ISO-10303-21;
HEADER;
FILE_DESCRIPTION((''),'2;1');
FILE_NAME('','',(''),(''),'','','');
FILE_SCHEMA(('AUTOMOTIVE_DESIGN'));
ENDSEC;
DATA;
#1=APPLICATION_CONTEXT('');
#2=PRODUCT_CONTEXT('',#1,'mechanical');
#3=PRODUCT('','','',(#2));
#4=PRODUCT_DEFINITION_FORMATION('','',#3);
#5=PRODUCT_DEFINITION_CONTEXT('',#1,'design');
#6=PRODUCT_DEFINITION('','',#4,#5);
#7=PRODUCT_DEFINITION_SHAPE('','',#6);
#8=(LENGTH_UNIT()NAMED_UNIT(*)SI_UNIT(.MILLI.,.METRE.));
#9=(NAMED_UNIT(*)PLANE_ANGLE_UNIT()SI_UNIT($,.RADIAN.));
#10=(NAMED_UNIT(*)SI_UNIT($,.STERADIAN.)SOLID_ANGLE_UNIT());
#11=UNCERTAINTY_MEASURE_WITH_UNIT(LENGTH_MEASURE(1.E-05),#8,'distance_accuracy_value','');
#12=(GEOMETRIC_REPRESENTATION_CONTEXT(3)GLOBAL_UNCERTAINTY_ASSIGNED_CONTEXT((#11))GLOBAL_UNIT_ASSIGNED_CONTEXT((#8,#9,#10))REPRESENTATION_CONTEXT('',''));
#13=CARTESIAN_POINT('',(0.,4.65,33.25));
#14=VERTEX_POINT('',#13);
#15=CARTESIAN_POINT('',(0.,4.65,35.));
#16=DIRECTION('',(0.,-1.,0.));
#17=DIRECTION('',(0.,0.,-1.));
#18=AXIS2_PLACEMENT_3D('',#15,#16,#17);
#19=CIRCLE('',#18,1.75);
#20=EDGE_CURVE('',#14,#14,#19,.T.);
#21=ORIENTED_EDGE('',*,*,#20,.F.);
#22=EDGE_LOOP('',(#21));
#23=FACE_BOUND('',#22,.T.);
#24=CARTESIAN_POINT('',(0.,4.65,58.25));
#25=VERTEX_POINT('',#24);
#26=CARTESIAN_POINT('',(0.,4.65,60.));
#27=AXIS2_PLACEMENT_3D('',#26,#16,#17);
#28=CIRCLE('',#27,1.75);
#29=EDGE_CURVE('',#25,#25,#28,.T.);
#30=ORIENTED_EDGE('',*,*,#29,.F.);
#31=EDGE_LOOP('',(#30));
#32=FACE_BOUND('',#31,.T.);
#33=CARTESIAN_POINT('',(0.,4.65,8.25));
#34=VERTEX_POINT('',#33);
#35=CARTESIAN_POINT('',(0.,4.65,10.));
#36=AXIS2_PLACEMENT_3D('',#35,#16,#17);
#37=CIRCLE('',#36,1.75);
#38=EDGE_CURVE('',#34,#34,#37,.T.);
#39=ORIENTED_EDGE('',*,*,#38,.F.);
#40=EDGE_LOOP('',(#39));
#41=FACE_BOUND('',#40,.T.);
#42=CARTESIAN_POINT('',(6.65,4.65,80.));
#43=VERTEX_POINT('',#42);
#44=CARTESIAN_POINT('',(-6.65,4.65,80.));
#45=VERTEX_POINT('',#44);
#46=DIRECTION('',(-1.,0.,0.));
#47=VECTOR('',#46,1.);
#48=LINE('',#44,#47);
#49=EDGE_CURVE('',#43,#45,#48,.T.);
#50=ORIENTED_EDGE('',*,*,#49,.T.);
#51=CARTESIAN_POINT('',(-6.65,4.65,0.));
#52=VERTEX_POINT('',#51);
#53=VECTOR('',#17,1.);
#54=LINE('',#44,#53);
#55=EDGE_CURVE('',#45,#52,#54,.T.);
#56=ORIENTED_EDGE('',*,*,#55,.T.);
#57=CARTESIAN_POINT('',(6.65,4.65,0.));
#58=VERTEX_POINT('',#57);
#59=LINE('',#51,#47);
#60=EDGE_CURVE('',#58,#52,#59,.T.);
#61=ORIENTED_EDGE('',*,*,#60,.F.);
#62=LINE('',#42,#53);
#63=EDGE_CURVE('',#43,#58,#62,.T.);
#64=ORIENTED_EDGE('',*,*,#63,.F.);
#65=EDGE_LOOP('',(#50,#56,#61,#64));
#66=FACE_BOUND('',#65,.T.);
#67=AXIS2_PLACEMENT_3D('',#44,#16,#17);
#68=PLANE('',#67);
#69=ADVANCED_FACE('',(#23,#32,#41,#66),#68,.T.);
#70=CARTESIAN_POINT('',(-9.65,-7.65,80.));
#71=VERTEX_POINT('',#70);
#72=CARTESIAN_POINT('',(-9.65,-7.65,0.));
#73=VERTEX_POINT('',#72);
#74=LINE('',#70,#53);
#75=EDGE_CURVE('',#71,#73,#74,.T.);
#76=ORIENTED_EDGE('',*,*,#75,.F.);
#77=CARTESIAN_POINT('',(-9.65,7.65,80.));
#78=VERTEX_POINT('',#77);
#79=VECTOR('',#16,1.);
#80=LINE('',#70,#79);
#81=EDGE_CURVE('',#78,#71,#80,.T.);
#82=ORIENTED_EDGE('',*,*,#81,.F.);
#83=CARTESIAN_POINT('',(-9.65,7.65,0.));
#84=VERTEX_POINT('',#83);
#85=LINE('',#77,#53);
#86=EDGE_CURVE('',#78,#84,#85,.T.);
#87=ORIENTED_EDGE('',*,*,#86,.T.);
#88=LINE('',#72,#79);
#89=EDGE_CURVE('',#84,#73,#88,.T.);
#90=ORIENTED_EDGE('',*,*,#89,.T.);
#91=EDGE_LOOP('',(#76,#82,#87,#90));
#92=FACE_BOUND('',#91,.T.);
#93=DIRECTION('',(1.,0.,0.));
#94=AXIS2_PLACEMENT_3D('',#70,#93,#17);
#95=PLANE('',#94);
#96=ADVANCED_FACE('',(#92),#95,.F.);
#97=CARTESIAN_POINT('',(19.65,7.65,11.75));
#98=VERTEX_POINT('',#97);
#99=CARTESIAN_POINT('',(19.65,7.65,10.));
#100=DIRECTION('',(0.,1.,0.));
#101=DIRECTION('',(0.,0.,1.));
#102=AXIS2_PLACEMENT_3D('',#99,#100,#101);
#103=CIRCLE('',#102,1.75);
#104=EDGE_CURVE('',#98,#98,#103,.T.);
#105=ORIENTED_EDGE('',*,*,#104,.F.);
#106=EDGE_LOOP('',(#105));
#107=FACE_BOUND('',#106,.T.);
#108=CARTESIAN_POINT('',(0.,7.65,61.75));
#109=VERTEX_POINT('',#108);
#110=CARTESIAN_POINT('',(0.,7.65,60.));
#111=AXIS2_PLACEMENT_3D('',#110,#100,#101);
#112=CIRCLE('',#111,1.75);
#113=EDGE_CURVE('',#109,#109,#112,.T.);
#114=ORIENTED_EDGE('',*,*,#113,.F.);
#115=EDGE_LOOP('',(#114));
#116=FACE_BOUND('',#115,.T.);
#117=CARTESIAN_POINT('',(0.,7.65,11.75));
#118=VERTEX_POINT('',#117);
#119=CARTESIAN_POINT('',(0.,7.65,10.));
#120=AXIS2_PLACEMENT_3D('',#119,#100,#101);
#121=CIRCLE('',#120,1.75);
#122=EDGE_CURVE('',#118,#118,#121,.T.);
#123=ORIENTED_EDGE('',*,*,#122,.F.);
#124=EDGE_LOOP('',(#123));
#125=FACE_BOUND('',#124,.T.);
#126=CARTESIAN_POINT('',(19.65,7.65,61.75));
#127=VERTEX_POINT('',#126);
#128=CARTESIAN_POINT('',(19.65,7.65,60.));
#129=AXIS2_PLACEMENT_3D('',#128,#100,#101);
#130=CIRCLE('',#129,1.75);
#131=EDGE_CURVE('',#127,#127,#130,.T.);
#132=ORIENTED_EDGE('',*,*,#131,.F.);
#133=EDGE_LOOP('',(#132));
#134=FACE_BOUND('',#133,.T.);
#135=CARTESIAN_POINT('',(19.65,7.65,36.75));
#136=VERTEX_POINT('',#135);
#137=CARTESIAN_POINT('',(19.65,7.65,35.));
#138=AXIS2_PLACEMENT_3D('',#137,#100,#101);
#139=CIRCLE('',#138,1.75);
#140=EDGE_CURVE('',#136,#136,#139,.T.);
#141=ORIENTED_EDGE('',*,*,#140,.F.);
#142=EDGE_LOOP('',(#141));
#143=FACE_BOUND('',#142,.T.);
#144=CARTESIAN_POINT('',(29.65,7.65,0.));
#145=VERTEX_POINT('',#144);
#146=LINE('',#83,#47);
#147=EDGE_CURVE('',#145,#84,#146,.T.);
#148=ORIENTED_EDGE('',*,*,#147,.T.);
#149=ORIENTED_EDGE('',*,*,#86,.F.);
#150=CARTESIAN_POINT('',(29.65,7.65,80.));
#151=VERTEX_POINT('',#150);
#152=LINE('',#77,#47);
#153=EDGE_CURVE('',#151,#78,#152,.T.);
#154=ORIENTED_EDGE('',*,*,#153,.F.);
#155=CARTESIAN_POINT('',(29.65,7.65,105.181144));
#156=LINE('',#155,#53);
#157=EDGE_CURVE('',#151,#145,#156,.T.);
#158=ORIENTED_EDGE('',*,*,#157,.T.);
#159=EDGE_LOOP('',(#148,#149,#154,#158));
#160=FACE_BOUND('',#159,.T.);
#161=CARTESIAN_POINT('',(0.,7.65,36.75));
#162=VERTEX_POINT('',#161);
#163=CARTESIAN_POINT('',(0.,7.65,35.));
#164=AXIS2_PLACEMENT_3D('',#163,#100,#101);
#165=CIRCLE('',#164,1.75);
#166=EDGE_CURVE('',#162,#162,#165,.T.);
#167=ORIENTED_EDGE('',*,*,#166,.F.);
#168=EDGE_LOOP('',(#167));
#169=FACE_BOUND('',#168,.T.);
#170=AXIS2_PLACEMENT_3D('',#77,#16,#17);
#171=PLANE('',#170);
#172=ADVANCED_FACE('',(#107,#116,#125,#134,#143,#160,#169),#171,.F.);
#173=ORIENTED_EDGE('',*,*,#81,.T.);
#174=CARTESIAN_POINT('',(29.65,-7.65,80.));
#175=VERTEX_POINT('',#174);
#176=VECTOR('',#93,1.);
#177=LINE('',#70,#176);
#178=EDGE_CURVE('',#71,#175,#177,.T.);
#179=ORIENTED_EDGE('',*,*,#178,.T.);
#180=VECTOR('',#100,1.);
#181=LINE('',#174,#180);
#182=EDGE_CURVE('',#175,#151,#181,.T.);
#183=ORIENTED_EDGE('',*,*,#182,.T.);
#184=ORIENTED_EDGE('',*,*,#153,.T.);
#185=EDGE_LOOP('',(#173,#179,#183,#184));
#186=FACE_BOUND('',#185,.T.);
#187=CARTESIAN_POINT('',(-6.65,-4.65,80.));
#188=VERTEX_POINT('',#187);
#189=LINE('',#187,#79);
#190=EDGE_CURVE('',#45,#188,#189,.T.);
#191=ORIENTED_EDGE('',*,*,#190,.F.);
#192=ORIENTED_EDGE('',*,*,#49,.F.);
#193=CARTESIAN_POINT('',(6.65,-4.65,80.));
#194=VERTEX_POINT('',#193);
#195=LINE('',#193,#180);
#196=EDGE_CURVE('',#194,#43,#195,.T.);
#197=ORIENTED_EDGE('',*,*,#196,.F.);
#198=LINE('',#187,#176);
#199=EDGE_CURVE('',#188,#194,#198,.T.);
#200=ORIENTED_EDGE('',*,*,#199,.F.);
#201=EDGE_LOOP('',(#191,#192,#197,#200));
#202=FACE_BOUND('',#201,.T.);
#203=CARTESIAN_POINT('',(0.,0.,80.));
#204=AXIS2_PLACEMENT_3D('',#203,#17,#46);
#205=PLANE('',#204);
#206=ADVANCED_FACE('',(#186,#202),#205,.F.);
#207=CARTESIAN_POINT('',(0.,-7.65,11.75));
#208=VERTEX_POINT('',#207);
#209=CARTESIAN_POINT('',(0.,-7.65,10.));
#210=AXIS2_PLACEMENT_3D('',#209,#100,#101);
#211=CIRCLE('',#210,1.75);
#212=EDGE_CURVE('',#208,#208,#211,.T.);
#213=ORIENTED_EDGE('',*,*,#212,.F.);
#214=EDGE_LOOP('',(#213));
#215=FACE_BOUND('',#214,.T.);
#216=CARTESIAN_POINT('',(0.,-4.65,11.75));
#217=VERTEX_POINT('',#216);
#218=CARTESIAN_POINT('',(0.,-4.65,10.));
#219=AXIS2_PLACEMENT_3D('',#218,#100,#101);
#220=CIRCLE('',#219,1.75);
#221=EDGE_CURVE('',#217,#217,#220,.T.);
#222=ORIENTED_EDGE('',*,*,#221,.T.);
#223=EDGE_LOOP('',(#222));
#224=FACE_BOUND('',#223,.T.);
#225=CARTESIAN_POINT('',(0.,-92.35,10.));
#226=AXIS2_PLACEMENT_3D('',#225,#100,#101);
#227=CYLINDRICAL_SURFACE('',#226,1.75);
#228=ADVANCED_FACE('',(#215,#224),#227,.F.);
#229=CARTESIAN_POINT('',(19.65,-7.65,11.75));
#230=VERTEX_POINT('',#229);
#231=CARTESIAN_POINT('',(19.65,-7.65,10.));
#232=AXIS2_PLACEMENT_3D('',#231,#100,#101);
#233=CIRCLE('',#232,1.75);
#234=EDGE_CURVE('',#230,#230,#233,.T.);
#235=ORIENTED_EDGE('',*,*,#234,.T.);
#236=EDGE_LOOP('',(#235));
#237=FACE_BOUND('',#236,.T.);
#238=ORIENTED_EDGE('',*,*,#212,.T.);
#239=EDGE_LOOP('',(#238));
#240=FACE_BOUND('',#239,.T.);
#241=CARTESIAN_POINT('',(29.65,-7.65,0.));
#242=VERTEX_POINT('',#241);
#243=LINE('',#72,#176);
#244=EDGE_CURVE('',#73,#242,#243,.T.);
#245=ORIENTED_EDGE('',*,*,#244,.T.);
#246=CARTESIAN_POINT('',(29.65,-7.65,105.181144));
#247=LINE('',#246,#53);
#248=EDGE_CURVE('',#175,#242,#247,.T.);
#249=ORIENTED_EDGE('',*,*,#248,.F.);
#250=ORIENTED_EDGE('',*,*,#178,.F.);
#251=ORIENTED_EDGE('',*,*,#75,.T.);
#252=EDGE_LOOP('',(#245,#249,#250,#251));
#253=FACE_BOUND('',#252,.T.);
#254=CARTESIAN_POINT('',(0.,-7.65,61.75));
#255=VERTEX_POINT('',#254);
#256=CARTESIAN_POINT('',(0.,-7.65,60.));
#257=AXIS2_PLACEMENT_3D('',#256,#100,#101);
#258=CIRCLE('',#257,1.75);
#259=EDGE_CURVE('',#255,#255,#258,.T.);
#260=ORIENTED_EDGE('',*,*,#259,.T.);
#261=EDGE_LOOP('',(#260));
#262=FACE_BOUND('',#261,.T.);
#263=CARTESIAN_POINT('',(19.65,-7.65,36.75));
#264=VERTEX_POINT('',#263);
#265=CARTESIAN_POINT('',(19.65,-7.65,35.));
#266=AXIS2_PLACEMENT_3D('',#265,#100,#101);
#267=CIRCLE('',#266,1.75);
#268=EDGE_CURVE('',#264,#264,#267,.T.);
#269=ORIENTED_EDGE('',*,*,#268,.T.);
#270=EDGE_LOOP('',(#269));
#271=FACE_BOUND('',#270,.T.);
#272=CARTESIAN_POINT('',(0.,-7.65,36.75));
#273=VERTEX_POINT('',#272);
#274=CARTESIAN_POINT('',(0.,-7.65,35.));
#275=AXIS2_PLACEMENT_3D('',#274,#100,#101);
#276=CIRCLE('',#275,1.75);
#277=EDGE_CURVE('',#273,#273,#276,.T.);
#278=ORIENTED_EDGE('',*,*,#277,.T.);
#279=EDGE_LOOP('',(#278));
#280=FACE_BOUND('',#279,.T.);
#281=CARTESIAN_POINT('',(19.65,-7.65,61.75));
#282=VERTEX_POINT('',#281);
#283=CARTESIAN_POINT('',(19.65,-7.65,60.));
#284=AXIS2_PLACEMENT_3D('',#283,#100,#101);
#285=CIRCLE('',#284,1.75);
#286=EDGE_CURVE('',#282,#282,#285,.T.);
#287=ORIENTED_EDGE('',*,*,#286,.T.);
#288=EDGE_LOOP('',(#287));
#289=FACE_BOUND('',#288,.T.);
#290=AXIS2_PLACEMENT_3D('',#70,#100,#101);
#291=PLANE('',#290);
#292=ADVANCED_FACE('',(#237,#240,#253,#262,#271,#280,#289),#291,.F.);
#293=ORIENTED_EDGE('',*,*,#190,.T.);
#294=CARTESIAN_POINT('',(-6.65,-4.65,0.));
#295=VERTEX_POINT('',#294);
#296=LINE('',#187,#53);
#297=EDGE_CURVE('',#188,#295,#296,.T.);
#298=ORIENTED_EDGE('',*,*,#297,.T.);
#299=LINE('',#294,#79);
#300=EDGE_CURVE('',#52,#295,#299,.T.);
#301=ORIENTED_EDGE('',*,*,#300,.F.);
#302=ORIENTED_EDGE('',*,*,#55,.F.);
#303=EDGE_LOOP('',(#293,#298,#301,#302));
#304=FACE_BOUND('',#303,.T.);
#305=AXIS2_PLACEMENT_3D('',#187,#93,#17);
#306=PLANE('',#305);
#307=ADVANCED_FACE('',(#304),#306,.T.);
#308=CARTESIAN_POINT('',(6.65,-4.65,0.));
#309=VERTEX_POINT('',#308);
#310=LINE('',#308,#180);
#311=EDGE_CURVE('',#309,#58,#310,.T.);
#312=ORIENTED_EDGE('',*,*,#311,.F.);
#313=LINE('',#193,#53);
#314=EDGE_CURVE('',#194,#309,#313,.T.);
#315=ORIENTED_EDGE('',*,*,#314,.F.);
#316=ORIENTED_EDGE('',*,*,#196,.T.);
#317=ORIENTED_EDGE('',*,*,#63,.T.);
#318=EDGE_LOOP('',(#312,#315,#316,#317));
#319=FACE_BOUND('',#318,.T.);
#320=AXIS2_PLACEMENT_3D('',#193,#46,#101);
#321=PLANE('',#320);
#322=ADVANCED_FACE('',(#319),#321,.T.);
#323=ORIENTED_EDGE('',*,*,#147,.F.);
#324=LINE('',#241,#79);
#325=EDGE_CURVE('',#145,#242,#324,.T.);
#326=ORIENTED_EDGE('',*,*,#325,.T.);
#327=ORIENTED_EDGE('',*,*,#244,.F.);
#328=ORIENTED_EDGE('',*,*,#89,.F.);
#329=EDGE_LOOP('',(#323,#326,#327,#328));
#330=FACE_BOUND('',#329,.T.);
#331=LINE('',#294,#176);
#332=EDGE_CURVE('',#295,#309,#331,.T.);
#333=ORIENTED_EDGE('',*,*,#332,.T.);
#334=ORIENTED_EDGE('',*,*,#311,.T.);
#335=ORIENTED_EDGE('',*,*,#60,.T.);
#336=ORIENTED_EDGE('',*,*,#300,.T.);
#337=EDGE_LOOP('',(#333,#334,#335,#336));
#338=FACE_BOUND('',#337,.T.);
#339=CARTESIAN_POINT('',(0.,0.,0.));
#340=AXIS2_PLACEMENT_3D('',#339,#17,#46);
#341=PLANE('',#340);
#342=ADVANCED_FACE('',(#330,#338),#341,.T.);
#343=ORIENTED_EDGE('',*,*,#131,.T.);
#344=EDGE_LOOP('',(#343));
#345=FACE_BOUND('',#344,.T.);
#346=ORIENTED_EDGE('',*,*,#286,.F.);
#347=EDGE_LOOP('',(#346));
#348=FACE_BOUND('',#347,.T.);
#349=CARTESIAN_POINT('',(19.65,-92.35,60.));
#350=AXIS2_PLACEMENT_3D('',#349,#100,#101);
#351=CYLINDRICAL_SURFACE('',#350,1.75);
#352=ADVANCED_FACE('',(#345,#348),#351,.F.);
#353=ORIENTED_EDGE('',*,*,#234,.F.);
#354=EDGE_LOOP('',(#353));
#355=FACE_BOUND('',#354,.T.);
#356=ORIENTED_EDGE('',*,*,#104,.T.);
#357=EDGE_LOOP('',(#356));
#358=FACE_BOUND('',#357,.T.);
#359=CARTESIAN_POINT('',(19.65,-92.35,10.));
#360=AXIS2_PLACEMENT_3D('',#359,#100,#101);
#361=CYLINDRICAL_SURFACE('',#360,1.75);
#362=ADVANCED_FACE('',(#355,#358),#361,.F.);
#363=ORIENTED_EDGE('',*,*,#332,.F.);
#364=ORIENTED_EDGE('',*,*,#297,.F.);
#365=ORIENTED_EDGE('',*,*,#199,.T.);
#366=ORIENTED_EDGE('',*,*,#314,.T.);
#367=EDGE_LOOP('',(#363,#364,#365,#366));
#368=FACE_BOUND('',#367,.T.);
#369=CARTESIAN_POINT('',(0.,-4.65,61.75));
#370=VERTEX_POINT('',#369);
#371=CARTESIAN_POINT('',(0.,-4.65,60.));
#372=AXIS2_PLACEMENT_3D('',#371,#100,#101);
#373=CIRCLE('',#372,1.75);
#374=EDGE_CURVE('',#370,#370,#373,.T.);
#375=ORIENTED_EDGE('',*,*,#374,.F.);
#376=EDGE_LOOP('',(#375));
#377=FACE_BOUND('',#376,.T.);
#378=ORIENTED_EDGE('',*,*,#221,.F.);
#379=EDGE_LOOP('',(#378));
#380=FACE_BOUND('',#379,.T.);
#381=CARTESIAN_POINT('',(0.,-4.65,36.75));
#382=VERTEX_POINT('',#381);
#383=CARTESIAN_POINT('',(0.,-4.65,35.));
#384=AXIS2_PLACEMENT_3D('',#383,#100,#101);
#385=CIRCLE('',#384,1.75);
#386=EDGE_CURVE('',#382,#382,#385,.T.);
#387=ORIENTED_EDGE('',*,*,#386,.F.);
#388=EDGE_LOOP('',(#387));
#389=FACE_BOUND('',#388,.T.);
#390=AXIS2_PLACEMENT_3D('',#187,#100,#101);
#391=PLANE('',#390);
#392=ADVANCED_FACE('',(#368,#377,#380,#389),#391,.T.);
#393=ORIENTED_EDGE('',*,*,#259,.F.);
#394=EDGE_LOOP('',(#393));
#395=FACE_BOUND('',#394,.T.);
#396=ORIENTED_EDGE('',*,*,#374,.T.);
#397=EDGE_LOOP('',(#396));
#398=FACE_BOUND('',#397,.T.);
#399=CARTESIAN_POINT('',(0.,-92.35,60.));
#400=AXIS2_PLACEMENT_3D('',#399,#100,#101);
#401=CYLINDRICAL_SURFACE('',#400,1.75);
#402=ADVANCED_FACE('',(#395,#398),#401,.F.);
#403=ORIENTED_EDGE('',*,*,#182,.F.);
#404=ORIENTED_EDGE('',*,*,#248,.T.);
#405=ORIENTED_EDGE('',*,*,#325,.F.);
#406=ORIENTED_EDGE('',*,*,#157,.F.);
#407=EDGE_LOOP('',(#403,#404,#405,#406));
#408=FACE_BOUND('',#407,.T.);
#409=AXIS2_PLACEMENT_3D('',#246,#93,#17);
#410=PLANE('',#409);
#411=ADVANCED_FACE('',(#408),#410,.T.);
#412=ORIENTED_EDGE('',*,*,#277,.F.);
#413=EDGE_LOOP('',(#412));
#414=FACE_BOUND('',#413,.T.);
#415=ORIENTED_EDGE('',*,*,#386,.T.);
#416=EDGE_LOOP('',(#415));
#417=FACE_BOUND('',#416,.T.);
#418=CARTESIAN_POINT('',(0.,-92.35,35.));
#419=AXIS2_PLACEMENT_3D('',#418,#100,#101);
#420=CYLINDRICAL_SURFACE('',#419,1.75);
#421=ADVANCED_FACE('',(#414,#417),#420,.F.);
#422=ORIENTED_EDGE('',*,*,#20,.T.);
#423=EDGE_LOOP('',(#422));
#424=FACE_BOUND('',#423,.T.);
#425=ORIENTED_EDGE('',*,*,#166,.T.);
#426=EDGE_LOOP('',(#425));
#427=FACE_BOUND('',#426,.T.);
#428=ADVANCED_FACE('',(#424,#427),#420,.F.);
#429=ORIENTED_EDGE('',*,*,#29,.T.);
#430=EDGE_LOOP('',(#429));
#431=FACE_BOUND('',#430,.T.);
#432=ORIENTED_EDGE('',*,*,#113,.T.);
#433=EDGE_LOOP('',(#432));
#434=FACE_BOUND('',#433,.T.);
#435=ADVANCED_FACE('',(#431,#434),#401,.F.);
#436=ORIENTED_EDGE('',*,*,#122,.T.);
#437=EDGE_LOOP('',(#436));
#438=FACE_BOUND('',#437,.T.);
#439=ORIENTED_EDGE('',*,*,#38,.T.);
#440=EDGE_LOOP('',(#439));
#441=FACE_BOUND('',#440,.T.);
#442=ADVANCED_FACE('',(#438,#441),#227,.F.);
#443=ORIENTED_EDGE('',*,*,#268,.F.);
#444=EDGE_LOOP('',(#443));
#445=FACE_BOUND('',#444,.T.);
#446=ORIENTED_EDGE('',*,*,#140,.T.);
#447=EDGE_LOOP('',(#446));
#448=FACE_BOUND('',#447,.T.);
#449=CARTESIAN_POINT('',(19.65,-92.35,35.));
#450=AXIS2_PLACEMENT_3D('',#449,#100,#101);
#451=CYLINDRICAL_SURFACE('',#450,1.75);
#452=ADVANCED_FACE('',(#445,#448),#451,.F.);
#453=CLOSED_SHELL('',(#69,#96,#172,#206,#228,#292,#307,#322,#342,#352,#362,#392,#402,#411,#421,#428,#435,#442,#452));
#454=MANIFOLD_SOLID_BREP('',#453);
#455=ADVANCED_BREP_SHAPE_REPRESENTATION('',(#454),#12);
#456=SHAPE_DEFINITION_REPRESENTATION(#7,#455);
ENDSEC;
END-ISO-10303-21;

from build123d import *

# Parameters (mm, degrees)
SKETCH_2_W          = 19.3
SKETCH_2_H          = 15.3
SKETCH_2_W_2        = 13.3
SKETCH_2_H_2        = 9.3
EXTRUDE_1_DEPTH     = 80
SKETCH_3_R          = 1.75
CUT_EXTRUDE_1_DEPTH = 100
SKETCH_5_W          = 20
SKETCH_5_H          = 15.3
EXTRUDE_2_DEPTH     = 80
SKETCH_6_R          = 1.75
CUT_EXTRUDE_2_DEPTH = 100


with BuildPart() as part:
    # 草图2 → 凸台-拉伸1 (new body)
    with BuildSketch(Plane.XY):
        Rectangle(SKETCH_2_W, SKETCH_2_H)
        Rectangle(SKETCH_2_W_2, SKETCH_2_H_2, mode=Mode.SUBTRACT)
    extrude(amount=EXTRUDE_1_DEPTH)

    # 草图3 → 切除-拉伸1 (cut)
    with BuildSketch(Plane(origin=(0, 7.65, 0), x_dir=(1, 0, 0), z_dir=(0, 1, 0))):
        with Locations(Location((0, -10, 0), (0, 0, 270))):
            Circle(SKETCH_3_R)
        with Locations(Location((0, -35, 0), (0, 0, 270))):
            Circle(SKETCH_3_R)
        with Locations(Location((0, -60, 0), (0, 0, 270))):
            Circle(SKETCH_3_R)
    extrude(amount=-CUT_EXTRUDE_1_DEPTH, mode=Mode.SUBTRACT)

    # 草图5 → 凸台-拉伸2 (add)
    with BuildSketch(Plane(origin=(0, 0, 0), x_dir=(-1, 0, 0), z_dir=(0, 0, -1))):
        with Locations((-19.65, 0)):
            Rectangle(SKETCH_5_W, SKETCH_5_H)
    extrude(amount=-EXTRUDE_2_DEPTH)

    # 草图6 → 切除-拉伸2 (cut)
    with BuildSketch(Plane(origin=(0, 7.65, 0), x_dir=(1, 0, 0), z_dir=(0, 1, 0))):
        with Locations(Location((19.65, -10, 0), (0, 0, 270))):
            Circle(SKETCH_6_R)
        with Locations(Location((19.65, -35, 0), (0, 0, 270))):
            Circle(SKETCH_6_R)
        with Locations(Location((19.65, -60, 0), (0, 0, 270))):
            Circle(SKETCH_6_R)
    extrude(amount=-CUT_EXTRUDE_2_DEPTH, mode=Mode.SUBTRACT)


solid = part.part
